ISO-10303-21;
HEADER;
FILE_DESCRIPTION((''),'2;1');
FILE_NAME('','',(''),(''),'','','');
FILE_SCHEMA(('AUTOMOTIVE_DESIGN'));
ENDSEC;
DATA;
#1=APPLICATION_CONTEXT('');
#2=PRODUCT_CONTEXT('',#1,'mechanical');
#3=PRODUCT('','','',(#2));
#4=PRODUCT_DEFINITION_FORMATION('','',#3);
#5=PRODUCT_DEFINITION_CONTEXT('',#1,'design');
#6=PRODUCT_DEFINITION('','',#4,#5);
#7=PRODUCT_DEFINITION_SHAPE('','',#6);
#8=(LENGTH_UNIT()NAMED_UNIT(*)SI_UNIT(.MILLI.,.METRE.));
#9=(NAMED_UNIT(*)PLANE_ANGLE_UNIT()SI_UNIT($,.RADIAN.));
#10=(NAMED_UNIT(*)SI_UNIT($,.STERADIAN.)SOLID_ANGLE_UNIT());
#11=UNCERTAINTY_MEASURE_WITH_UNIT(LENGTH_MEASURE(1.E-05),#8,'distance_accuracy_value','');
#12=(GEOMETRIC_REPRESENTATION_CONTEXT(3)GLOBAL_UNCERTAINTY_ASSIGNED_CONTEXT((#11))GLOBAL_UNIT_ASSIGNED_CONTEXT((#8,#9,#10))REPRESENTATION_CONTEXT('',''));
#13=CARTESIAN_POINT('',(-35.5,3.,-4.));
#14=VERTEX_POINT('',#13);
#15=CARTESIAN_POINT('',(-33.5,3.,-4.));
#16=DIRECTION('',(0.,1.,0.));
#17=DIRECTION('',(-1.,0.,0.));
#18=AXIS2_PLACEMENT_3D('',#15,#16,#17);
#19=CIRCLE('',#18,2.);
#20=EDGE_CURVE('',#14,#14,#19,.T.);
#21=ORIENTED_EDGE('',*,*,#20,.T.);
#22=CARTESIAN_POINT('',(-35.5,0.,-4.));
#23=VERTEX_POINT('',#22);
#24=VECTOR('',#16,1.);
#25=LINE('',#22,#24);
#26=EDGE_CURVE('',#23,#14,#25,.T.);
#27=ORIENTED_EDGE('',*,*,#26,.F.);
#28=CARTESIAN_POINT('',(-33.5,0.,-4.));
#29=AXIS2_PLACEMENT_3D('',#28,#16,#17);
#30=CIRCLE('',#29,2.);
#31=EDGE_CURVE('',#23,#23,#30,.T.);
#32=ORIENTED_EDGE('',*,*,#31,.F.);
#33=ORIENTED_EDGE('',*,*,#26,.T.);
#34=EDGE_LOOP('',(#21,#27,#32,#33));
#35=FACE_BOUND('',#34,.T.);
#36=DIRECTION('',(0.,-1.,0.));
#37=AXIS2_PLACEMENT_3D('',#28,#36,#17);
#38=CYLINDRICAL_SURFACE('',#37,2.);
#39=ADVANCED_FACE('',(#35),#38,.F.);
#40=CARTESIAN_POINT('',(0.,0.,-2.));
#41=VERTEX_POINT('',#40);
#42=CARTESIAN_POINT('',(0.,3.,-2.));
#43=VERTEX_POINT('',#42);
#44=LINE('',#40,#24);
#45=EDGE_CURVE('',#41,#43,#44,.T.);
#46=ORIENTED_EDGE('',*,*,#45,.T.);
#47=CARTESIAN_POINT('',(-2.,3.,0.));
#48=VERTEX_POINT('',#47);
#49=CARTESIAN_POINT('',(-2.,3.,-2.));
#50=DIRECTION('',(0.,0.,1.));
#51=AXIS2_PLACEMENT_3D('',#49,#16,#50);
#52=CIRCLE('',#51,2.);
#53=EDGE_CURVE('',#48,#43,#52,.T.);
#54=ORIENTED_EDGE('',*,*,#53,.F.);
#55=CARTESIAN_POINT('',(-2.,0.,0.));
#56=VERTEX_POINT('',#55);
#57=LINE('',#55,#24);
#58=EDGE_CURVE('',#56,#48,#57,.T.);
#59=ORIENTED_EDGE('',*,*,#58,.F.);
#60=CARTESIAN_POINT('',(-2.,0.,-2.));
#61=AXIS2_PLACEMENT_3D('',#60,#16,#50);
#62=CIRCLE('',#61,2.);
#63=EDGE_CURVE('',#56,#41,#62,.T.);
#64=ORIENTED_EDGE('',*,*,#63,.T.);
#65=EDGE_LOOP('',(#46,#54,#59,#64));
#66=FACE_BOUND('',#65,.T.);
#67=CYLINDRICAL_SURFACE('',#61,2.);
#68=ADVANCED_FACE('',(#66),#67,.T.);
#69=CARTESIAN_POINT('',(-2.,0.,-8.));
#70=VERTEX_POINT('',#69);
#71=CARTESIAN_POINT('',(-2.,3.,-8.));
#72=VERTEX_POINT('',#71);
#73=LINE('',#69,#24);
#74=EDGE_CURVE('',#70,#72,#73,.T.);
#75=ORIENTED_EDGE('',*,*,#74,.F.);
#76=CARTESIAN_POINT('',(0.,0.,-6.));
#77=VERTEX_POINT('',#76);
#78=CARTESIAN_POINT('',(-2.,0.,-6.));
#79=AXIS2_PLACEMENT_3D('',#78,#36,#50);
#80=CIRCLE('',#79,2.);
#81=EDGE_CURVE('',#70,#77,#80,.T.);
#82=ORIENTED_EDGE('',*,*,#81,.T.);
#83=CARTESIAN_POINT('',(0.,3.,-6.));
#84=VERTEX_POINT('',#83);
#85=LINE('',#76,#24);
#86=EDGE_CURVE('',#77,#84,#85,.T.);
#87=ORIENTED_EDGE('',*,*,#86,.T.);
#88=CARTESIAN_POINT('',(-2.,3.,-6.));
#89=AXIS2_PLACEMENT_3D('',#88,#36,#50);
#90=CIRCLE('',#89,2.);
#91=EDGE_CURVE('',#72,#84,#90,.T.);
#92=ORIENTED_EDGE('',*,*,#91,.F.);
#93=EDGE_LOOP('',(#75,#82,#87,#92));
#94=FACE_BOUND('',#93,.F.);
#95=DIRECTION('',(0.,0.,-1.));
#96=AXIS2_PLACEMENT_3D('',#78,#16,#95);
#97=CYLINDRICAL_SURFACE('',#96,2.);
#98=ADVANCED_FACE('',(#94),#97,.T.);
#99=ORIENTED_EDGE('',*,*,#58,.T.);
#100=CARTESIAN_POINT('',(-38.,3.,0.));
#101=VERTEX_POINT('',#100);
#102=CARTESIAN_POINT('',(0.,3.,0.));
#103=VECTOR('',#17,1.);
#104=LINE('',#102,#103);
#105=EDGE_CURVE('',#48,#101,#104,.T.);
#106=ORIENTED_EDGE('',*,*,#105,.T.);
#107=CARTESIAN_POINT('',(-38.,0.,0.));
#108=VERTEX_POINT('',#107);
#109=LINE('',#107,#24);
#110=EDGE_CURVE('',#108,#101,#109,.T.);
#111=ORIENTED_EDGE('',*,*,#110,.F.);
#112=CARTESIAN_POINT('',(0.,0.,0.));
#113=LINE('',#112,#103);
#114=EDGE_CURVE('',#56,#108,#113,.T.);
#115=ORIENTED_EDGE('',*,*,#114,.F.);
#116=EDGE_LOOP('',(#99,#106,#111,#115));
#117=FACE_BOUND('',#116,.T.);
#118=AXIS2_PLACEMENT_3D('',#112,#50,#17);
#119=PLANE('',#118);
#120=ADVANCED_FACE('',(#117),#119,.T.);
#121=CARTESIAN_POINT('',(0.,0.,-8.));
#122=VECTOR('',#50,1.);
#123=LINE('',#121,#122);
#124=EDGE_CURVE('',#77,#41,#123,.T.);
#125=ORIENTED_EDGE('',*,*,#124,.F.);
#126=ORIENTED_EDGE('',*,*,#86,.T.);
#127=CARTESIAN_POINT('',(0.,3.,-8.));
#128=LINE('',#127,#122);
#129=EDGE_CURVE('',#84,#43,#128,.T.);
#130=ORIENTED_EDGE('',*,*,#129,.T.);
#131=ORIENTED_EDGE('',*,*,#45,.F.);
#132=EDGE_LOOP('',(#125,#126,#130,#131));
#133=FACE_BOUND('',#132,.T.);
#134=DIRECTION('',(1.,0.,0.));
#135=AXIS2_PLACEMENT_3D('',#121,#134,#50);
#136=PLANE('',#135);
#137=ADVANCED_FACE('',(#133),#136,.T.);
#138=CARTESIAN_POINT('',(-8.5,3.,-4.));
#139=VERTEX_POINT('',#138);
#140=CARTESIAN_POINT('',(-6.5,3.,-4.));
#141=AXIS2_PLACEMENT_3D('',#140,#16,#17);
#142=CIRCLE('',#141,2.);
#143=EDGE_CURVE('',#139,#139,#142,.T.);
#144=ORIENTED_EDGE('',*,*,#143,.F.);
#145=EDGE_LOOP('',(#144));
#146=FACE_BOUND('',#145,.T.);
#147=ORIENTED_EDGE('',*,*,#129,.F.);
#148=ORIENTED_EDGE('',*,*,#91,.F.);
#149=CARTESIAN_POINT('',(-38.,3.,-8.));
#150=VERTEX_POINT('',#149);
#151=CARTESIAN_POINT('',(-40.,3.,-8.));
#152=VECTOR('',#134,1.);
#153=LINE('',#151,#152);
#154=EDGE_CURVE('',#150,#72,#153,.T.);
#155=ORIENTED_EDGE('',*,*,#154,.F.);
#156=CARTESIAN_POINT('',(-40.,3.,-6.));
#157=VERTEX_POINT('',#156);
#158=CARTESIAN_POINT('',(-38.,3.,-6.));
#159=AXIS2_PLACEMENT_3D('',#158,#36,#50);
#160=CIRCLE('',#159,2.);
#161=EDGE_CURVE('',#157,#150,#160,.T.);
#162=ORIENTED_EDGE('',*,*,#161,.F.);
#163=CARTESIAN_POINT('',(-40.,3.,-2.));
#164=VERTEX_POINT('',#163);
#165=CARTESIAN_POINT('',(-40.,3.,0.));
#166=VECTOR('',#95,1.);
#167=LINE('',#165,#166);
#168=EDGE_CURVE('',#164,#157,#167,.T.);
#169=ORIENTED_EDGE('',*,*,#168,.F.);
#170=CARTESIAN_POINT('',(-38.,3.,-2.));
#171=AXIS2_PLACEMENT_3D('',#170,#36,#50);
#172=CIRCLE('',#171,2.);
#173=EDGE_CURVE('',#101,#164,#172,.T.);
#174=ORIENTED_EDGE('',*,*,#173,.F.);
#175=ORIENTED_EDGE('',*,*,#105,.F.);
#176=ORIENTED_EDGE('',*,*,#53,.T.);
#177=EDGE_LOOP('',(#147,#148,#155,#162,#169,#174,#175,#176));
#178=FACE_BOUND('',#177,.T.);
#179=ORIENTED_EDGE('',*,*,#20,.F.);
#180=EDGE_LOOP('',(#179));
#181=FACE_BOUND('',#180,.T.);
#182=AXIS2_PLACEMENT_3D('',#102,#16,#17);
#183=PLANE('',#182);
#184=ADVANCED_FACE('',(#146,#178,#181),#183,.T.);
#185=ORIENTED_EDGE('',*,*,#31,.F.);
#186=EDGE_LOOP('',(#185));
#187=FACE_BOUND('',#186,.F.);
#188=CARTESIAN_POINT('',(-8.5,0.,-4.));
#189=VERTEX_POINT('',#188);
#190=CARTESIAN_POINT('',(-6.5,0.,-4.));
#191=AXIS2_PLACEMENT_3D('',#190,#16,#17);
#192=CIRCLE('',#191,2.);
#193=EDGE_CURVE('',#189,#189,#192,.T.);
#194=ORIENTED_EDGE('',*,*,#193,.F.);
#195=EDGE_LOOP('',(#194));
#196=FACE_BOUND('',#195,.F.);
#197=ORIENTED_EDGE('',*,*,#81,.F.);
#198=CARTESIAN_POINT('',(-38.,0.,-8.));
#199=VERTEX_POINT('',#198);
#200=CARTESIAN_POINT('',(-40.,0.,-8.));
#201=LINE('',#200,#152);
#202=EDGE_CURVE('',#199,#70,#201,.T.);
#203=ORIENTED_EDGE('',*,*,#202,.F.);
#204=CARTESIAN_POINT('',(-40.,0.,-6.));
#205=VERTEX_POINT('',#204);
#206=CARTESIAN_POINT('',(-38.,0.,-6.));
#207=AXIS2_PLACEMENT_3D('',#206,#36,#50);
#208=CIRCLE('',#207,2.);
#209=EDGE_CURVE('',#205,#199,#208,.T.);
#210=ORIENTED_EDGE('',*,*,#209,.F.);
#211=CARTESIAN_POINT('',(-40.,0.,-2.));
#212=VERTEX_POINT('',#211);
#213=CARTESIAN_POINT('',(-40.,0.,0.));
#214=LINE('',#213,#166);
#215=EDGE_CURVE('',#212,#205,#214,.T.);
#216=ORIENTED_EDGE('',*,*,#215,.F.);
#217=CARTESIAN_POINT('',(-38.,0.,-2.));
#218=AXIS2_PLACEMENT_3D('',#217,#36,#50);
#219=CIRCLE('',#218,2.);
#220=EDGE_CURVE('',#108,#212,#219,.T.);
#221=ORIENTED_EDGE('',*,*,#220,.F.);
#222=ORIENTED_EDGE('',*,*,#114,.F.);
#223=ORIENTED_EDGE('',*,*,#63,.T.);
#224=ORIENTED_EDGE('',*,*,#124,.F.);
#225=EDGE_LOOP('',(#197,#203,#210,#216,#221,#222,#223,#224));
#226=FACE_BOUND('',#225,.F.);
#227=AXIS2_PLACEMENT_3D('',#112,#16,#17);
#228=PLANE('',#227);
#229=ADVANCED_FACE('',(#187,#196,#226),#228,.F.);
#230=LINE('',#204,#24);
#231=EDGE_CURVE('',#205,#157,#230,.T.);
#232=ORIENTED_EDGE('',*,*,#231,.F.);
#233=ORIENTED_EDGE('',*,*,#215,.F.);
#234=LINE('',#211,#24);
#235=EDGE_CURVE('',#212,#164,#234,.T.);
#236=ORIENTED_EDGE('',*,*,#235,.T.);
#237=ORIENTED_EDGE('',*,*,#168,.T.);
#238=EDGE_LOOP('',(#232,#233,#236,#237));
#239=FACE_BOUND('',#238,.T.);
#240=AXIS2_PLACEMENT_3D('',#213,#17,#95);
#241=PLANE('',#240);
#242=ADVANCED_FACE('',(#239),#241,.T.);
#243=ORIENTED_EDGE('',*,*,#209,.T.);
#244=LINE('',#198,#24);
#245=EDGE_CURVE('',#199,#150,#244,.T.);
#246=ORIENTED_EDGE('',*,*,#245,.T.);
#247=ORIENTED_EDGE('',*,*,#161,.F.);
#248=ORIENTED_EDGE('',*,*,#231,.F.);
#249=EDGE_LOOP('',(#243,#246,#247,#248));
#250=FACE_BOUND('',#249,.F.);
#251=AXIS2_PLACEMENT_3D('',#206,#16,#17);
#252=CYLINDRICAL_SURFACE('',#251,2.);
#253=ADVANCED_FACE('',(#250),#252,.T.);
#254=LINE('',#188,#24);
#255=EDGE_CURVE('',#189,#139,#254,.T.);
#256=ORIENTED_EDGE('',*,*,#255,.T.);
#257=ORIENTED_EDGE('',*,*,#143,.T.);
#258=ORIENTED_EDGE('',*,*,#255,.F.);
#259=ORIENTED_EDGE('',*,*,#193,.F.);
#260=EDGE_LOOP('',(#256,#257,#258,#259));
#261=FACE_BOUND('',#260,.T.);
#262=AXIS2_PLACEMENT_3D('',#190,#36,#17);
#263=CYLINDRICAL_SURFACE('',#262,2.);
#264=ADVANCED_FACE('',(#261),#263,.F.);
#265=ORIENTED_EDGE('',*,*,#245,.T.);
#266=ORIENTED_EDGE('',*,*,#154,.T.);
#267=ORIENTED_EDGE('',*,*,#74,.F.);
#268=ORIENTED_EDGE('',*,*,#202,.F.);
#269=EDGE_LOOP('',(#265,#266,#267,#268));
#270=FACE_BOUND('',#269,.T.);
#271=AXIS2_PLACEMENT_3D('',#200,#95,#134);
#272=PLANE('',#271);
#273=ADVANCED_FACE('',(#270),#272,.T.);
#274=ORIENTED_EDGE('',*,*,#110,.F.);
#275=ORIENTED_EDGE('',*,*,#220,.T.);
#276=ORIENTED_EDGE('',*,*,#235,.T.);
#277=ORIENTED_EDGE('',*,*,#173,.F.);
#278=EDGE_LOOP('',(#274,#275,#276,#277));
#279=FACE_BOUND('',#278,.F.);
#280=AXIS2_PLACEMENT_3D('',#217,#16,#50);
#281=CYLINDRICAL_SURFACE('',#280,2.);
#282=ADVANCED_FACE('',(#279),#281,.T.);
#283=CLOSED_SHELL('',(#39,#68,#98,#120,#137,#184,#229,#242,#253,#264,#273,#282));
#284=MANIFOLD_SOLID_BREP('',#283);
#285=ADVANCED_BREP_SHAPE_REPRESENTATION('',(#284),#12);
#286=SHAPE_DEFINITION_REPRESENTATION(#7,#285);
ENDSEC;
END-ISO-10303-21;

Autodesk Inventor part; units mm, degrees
ref_plane "YZ Plane" through (0, 0, 0) normal (1, 0, 0) x (0, 1, 0)
ref_plane "XZ Plane" through (0, 0, 0) normal (0, 1, 0) x (-1, 0, 0)
ref_plane "XY Plane" through (0, 0, 0) normal (0, 0, 1) x (1, 0, 0)
sketch "Esquisse1" plane through (0, 0, 0) normal (0, 1, 0) x (-1, 0, 0)
  line L0 (0, 0) -> (40, 0)
  line L1 (40, 0) -> (40, -8)
  line L2 (40, -8) -> (0, -8)
  line L3 (0, -8) -> (0, 0)
  line L4 (40, -4) -> (0, -4) construction
  line L5 (20, 0) -> (20, -8) construction
  circle A0 centre (33.5, -4) radius 2
  circle A1 centre (6.5, -4) radius 2
  dimension "d0" = 8
  dimension "d1" = 40
  dimension "d2" = 27
  dimension "d3" = 4
extrude "Extrusion1" add sketch "Esquisse1" along normal blind 3
fillet "Congé1" radius 2 4 edges at (0, 1.5, 0) (0, 1.5, -8) (-40, 1.5, -8) (-40, 1.5, 0)
properties part number "jauge"
